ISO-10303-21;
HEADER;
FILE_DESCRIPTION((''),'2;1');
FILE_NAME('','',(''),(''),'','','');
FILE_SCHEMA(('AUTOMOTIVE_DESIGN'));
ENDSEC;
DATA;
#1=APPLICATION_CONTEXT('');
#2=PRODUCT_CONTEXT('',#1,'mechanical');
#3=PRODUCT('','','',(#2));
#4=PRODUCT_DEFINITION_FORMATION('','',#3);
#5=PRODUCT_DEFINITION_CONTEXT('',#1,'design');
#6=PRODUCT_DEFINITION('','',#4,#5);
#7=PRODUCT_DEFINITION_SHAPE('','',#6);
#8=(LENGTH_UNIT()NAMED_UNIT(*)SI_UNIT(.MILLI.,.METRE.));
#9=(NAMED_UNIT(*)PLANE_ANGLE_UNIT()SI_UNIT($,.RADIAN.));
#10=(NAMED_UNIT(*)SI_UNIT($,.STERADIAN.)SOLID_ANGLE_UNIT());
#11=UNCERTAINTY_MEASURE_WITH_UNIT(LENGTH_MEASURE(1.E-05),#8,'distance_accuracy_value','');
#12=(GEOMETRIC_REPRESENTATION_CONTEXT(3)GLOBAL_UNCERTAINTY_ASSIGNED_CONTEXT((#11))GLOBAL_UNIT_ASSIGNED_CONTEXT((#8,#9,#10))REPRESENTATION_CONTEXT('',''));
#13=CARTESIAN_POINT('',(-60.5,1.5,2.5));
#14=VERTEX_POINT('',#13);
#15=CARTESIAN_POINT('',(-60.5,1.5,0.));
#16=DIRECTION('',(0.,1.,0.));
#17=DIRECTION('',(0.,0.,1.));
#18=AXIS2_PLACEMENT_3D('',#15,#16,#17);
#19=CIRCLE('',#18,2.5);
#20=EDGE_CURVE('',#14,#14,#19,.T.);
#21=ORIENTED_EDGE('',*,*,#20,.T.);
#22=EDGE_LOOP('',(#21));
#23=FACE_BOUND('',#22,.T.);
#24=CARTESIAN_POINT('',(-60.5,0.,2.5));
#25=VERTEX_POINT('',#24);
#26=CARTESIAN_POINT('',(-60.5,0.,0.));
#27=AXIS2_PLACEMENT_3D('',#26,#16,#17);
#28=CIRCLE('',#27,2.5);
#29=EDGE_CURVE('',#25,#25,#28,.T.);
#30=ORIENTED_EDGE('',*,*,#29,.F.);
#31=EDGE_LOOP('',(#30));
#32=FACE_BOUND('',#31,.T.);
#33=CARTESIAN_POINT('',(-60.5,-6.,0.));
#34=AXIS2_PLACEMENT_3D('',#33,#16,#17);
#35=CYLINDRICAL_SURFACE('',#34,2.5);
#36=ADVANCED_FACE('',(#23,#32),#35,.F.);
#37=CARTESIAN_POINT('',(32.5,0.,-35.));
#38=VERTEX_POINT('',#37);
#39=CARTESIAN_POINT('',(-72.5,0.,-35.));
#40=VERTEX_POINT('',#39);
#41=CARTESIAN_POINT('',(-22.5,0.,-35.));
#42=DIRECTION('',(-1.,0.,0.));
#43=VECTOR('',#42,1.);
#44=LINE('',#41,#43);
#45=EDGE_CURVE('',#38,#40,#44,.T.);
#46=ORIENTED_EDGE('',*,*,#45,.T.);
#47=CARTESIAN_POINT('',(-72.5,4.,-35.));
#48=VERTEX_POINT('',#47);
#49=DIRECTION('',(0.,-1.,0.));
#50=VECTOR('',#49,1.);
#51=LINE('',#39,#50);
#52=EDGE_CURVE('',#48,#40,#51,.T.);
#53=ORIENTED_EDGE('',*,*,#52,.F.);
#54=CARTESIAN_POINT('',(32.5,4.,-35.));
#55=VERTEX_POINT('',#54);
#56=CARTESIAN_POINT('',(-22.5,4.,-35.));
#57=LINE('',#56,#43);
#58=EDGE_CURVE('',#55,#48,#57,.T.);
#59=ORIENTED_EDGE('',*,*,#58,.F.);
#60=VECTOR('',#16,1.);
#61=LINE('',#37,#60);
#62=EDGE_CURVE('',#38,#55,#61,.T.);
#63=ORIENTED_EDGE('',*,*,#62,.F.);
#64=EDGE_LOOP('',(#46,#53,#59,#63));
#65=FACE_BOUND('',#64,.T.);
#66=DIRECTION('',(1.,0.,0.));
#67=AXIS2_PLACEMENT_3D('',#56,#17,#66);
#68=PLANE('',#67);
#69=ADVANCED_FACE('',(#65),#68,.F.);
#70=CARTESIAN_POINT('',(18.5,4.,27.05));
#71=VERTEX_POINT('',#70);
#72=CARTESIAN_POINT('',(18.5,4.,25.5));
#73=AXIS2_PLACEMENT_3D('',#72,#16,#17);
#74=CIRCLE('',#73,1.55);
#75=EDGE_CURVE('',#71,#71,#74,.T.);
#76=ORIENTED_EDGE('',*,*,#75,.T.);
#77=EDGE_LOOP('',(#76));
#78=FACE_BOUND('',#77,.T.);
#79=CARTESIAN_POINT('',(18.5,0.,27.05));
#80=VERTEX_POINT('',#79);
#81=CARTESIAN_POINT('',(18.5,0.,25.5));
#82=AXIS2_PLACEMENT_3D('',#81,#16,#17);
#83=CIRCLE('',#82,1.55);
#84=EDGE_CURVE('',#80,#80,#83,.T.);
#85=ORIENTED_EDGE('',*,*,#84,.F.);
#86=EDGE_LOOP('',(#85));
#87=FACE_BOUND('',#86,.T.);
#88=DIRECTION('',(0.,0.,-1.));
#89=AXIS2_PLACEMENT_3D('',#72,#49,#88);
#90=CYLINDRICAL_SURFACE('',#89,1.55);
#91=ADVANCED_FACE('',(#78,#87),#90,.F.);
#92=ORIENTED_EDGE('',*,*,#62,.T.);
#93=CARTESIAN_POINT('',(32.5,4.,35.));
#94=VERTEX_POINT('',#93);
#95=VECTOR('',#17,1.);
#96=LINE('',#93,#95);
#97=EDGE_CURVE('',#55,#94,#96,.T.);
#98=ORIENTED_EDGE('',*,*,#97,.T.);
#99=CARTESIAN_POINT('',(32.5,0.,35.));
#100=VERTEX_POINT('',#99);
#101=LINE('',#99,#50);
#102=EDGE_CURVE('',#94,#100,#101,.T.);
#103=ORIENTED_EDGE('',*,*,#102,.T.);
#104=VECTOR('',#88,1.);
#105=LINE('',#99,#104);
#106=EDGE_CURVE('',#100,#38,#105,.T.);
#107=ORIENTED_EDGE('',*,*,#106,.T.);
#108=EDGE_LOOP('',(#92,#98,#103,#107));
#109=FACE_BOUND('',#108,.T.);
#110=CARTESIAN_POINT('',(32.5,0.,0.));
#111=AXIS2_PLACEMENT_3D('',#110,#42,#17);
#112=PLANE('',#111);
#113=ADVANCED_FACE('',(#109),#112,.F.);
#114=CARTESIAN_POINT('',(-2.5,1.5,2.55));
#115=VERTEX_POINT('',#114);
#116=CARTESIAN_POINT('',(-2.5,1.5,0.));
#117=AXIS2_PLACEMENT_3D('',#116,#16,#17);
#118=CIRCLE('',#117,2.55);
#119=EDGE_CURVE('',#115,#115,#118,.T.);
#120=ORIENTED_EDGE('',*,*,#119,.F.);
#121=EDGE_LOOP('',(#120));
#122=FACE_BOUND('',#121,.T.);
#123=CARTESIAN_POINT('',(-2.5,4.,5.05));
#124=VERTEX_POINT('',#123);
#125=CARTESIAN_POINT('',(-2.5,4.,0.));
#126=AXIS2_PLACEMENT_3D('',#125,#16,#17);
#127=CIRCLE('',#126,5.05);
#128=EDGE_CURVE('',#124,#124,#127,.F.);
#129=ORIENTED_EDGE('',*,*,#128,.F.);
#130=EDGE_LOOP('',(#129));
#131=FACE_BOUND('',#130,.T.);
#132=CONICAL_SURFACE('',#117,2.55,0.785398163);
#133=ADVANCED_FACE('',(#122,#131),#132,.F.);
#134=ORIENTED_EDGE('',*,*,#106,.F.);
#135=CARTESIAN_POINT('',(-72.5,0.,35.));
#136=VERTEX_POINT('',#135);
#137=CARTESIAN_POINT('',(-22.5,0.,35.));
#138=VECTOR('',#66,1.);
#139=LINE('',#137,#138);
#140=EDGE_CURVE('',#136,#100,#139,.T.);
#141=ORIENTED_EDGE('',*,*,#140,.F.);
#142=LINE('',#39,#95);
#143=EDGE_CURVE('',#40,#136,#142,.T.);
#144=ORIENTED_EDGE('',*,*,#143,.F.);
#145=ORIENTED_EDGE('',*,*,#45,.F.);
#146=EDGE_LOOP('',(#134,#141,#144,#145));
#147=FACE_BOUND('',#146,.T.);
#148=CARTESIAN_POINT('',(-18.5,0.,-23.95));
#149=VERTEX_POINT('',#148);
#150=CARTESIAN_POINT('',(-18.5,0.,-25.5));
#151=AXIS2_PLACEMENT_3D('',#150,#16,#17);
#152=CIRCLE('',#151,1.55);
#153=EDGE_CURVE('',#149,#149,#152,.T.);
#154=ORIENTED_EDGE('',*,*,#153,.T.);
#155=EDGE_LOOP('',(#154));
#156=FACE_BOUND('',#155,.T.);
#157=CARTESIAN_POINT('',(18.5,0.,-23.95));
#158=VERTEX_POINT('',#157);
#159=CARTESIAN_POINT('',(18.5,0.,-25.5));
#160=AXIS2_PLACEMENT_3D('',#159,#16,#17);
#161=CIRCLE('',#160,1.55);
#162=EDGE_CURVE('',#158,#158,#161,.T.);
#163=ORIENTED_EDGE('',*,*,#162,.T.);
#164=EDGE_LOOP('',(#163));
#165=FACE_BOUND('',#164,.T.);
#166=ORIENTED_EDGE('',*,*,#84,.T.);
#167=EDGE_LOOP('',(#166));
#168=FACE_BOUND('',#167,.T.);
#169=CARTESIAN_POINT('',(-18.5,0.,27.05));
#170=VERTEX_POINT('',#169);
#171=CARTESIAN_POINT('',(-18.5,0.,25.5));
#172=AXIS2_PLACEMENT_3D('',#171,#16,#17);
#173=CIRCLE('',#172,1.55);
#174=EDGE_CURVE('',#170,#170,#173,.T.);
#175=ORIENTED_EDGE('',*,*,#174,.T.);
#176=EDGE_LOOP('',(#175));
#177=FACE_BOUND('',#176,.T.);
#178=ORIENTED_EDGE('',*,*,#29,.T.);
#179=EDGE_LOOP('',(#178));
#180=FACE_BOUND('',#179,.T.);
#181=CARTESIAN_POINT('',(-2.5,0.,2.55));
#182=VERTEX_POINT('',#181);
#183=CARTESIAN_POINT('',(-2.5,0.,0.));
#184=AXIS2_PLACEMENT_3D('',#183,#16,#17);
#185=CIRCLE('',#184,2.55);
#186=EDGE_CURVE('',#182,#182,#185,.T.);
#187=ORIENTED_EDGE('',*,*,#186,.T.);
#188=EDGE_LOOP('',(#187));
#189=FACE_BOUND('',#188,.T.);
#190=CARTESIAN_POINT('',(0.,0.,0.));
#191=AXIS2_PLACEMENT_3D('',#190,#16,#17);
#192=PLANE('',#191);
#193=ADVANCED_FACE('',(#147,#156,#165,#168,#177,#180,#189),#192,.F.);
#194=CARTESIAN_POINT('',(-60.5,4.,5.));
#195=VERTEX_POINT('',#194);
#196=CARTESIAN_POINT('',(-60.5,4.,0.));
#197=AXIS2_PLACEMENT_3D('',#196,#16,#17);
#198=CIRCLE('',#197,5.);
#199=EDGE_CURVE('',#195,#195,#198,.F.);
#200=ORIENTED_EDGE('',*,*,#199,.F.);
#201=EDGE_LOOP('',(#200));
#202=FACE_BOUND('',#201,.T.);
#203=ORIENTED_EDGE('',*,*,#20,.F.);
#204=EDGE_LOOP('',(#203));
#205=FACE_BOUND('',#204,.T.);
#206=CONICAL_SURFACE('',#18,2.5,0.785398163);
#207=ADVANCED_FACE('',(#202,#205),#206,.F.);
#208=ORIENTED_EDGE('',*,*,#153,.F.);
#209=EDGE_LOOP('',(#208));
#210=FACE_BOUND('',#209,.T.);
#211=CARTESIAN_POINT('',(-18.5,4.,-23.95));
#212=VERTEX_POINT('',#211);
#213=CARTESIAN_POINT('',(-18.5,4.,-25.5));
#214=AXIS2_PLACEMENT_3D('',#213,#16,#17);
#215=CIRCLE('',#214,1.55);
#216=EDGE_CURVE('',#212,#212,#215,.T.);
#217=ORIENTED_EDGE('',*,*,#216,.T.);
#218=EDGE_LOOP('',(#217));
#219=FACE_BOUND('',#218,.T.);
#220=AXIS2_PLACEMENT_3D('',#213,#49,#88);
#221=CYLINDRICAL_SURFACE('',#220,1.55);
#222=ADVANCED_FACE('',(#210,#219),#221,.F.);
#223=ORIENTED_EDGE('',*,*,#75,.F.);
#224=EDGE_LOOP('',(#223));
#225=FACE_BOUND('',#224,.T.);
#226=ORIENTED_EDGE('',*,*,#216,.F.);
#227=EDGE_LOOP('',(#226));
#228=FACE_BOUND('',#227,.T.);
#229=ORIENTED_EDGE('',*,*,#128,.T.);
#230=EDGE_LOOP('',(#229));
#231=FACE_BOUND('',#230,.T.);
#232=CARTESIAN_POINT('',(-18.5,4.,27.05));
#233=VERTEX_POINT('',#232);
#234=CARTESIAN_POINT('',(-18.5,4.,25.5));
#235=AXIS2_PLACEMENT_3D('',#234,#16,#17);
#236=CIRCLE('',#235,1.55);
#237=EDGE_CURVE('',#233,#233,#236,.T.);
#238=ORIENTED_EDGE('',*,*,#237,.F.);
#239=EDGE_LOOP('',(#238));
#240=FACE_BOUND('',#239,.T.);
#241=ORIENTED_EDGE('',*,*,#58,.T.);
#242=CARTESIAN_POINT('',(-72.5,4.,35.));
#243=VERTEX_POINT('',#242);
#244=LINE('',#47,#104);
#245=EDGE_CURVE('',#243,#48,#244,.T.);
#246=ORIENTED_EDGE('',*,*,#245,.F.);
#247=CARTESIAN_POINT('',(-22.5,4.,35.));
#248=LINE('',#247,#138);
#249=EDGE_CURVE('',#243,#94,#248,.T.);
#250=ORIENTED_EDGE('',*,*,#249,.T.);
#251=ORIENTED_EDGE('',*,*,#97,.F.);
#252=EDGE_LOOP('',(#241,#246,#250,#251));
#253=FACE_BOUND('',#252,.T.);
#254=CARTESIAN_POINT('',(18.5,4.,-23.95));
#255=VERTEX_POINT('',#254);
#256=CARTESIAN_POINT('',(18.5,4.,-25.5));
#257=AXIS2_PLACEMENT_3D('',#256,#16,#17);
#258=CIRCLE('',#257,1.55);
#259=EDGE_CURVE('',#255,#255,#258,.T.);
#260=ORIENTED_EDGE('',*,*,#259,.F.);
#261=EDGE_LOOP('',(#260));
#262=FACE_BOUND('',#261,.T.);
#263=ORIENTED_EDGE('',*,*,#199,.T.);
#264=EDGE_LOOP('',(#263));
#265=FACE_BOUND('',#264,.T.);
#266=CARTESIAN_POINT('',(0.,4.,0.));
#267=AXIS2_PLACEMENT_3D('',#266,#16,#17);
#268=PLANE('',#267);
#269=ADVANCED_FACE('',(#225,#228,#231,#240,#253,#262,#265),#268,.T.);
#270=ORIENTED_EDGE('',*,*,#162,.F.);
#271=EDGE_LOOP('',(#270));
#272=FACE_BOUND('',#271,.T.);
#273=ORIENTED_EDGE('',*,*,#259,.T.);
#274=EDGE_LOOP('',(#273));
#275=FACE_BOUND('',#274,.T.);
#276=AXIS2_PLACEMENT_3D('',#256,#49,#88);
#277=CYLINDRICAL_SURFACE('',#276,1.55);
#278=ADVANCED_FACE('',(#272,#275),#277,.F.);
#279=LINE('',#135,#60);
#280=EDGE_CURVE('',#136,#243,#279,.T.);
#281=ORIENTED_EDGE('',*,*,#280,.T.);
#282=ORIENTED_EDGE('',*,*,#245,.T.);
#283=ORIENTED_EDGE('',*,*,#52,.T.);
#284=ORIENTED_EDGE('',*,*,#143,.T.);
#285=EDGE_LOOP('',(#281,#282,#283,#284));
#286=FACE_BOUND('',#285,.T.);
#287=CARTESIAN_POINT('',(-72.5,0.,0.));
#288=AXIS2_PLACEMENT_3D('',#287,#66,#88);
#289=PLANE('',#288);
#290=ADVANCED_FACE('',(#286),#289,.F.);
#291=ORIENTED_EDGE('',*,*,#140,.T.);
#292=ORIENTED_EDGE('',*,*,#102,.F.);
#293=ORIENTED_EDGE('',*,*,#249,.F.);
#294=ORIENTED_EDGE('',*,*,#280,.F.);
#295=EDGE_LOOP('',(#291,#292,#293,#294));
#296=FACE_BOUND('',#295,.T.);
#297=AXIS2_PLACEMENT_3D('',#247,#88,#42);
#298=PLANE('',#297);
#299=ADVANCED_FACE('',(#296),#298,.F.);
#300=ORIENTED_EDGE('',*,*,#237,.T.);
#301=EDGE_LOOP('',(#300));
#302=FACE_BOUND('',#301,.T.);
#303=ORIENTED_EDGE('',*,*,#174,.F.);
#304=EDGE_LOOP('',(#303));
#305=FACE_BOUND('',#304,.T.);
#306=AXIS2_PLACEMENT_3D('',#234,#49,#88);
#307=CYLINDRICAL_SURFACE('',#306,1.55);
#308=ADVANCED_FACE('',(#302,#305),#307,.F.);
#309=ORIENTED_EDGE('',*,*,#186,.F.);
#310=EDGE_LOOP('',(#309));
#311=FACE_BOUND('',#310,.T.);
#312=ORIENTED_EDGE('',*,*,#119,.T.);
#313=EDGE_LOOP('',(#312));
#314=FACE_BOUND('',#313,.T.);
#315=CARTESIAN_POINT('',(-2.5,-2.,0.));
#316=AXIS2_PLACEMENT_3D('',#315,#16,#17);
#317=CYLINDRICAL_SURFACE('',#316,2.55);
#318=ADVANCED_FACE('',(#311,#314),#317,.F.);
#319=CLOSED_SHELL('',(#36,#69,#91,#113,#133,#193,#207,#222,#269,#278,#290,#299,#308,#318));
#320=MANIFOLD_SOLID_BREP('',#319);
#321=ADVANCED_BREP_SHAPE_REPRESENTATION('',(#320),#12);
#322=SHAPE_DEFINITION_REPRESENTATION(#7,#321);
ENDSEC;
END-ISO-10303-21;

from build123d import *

# Parameters (mm, degrees)
SKETCH_1_W          = 45
SKETCH_1_H          = 70
SKETCH_1_R          = 1.55
EXTRUDE_1_DEPTH     = 4
SKETCH_3_W          = 70
SKETCH_3_H          = 4
EXTRUDE_3_DEPTH     = 40
SKETCH_4_R          = 2.55
CUT_EXTRUDE_1_DEPTH = 6
CHAMFER_1_SIZE      = 2.5
SKETCH_5_W          = 70
SKETCH_5_H          = 4
EXTRUDE_4_DEPTH     = 10
SKETCH_6_W          = 70
SKETCH_6_H          = 4
EXTRUDE_5_DEPTH     = 10
SKETCH_7_R          = 2.5
CUT_EXTRUDE_2_DEPTH = 10
CHAMFER_3_SIZE      = 2.5


with BuildPart() as part:
    # 草图1 → 凸台-拉伸1 (new body)
    with BuildSketch(Plane(origin=(0, 0, 0), x_dir=(1, 0, 0), z_dir=(0, 1, 0))):
        Rectangle(SKETCH_1_W, SKETCH_1_H)
        with Locations((18.5, 25.5)):
            Circle(SKETCH_1_R, mode=Mode.SUBTRACT)
        with Locations((-18.5, 25.5)):
            Circle(SKETCH_1_R, mode=Mode.SUBTRACT)
        with Locations((-18.5, -25.5)):
            Circle(SKETCH_1_R, mode=Mode.SUBTRACT)
        with Locations((18.5, -25.5)):
            Circle(SKETCH_1_R, mode=Mode.SUBTRACT)
    extrude(amount=EXTRUDE_1_DEPTH)

    # 草图3 → 凸台-拉伸3 (add)
    with BuildSketch(Plane.ZY.offset(22.5)):
        with Locations((0, 2)):
            Rectangle(SKETCH_3_W, SKETCH_3_H)
    extrude(amount=EXTRUDE_3_DEPTH)

    # 草图4 → 切除-拉伸1 (cut)
    with BuildSketch(Plane(origin=(0, 4, 0), x_dir=(1, 0, 0), z_dir=(0, 1, 0))):
        with Locations((-2.5, 0)):
            Circle(SKETCH_4_R)
    extrude(amount=-CUT_EXTRUDE_1_DEPTH, mode=Mode.SUBTRACT)

    # 倒角1
    chamfer_1_edges = [part.edges().sort_by_distance(p)[0] for p in [
        (-5.05, 4, 0),
    ]]
    chamfer(chamfer_1_edges, length=CHAMFER_1_SIZE)

    # 草图5 → 凸台-拉伸4 (add)
    with BuildSketch(Plane(origin=(22.5, 0, 0), x_dir=(0, 0, -1), z_dir=(1, 0, 0))):
        with Locations((0, 2)):
            Rectangle(SKETCH_5_W, SKETCH_5_H)
    extrude(amount=EXTRUDE_4_DEPTH)

    # 草图6 → 凸台-拉伸5 (add)
    with BuildSketch(Plane.ZY.offset(62.5)):
        with Locations((0, 2)):
            Rectangle(SKETCH_6_W, SKETCH_6_H)
    extrude(amount=EXTRUDE_5_DEPTH)

    # 草图7 → 切除-拉伸2 (cut)
    with BuildSketch(Plane(origin=(0, 4, 0), x_dir=(1, 0, 0), z_dir=(0, 1, 0))):
        with Locations((-60.5, 0)):
            Circle(SKETCH_7_R)
    extrude(amount=-CUT_EXTRUDE_2_DEPTH, mode=Mode.SUBTRACT)

    # 倒角3
    chamfer_3_edges = [part.edges().sort_by_distance(p)[0] for p in [
        (-63, 4, 0),
    ]]
    chamfer(chamfer_3_edges, length=CHAMFER_3_SIZE)


solid = part.part
